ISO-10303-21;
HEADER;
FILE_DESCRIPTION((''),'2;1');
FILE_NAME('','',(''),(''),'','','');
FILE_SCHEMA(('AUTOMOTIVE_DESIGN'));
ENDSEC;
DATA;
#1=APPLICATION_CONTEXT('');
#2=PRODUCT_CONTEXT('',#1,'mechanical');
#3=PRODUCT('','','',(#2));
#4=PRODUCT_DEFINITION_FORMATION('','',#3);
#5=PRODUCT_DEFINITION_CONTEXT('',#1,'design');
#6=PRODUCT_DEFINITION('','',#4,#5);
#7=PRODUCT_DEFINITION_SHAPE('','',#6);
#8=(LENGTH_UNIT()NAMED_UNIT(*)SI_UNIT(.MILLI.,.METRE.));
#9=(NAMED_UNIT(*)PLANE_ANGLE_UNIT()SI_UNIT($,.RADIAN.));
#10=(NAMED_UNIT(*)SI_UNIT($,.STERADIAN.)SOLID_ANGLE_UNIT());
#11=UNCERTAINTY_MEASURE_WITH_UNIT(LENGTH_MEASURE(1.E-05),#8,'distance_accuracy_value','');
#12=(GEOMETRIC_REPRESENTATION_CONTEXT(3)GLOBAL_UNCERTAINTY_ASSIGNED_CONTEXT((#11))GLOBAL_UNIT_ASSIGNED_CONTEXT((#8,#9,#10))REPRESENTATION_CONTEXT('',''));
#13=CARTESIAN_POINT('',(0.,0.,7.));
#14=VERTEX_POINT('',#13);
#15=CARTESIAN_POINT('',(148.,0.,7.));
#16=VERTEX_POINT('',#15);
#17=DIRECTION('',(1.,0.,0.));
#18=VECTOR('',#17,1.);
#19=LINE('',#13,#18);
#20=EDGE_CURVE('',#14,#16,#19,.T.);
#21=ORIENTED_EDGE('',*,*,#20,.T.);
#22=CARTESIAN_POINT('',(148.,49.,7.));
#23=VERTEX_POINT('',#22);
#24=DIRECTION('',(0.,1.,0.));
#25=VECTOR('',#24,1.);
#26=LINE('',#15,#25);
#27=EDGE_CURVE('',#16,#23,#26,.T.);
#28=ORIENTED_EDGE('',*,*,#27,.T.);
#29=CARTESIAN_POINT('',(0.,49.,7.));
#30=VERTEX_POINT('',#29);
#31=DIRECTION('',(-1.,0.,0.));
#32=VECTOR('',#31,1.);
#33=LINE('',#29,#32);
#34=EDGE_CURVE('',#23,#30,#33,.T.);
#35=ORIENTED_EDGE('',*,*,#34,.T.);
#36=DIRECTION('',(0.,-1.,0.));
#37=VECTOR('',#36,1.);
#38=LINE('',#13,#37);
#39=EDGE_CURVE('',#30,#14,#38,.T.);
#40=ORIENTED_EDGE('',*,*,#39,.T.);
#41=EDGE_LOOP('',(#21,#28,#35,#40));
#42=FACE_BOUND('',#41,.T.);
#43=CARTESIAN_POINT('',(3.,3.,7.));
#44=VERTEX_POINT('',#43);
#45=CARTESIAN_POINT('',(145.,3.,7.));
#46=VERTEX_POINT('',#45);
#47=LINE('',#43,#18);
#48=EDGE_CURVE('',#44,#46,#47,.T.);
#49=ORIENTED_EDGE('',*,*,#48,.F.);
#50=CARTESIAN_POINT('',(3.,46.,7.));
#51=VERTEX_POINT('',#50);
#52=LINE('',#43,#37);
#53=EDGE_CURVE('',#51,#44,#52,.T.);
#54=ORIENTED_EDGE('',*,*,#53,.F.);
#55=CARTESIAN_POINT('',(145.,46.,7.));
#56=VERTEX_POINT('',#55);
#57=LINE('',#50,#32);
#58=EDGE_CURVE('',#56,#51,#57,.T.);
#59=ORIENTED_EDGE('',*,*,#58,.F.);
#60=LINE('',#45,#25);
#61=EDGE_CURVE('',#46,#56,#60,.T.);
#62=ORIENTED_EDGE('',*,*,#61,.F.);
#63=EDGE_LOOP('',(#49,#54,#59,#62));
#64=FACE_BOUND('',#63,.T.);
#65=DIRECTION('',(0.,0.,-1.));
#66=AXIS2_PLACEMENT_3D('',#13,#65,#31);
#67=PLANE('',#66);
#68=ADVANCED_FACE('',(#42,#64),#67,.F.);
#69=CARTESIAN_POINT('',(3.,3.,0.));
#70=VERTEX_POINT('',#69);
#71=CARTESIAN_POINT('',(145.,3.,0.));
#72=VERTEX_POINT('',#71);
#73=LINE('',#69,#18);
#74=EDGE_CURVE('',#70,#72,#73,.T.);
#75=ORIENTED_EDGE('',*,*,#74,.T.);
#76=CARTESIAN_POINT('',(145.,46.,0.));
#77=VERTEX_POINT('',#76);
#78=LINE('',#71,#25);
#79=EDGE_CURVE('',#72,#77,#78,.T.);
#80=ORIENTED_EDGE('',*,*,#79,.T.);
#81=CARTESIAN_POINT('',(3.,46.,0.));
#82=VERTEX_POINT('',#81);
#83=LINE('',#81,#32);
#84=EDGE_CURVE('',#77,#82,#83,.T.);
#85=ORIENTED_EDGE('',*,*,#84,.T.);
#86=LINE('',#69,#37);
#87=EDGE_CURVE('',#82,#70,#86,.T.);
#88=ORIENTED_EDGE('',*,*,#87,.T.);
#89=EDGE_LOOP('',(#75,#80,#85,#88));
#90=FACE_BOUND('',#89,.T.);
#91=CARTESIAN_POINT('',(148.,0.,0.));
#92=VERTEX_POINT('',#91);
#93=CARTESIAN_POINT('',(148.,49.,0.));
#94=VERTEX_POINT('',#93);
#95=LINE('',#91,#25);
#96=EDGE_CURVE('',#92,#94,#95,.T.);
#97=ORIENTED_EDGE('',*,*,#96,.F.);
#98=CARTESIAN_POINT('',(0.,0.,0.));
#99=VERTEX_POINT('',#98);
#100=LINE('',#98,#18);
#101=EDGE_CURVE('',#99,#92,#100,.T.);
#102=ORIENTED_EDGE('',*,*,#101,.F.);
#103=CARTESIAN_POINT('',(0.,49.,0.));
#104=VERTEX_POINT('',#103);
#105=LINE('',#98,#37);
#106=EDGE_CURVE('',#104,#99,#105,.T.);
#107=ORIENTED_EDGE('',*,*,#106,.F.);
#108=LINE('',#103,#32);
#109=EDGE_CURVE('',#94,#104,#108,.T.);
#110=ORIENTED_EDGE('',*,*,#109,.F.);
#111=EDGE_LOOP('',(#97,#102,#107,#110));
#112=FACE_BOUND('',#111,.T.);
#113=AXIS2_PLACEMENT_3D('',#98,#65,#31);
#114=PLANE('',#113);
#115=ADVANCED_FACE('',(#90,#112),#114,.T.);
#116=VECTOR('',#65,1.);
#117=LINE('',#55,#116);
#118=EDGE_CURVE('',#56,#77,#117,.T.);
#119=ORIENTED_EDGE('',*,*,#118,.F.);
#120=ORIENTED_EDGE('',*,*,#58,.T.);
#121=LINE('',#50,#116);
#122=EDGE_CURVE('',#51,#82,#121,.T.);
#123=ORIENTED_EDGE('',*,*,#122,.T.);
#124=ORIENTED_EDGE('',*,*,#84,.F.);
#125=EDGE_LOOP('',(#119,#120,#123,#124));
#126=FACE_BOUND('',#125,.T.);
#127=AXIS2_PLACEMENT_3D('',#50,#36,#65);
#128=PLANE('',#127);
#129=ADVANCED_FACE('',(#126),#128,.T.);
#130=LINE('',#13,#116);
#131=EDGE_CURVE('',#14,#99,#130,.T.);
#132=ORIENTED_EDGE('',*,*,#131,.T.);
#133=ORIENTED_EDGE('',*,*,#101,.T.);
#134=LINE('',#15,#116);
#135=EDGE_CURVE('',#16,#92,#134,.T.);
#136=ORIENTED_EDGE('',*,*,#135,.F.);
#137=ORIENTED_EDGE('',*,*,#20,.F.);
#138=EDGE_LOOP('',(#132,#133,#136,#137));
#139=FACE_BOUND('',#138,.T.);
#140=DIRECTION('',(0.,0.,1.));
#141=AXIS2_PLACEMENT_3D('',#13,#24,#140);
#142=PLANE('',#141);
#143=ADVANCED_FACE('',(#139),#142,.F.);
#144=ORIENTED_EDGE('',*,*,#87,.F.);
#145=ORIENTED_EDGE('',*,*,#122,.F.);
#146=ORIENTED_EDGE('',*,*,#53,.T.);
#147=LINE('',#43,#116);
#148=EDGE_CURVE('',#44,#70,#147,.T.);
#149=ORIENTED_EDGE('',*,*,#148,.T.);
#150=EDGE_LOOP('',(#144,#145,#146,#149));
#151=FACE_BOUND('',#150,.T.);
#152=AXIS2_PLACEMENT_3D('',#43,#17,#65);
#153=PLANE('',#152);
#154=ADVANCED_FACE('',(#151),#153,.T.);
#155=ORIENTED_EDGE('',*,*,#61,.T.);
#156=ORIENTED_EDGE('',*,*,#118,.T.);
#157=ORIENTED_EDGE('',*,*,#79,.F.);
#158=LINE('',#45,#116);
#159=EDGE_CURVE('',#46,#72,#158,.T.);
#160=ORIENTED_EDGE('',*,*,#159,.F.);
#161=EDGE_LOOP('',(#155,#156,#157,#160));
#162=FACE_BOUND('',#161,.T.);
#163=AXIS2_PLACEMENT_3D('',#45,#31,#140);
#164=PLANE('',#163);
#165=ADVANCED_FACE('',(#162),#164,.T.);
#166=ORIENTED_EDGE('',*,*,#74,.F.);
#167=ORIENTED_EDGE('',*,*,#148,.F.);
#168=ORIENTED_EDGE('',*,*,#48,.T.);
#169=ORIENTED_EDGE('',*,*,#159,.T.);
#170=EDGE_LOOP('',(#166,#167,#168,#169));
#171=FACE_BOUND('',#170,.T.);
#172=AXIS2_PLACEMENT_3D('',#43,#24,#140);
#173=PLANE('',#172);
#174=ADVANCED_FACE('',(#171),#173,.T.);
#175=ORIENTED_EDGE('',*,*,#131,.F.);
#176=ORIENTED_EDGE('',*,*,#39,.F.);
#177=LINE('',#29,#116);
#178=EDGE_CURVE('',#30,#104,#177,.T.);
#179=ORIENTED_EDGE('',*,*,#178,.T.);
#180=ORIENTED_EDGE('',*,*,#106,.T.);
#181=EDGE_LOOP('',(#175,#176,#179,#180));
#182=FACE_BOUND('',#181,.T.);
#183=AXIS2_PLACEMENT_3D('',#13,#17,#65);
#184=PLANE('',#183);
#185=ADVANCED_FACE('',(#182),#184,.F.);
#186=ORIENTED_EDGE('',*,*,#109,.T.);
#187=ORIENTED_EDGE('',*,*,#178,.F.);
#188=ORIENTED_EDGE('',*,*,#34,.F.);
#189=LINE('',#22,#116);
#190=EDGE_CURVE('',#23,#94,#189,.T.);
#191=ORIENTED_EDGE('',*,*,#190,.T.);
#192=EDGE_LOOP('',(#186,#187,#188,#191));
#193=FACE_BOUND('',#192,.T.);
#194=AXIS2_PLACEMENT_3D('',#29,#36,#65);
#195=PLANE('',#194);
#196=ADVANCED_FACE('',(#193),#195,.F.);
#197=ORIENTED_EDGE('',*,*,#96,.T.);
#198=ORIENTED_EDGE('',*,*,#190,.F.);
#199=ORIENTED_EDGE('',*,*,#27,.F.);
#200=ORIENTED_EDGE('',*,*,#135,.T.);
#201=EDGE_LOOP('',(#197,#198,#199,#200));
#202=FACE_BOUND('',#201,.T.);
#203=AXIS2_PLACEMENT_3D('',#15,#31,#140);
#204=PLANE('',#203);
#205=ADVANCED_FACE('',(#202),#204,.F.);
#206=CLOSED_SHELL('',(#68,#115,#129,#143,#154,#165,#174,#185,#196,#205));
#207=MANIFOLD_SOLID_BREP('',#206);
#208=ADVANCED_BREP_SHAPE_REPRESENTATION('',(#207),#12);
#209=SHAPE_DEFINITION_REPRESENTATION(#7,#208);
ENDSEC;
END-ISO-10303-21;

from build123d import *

# Parameters (mm, degrees)
SKETCH1_W     = 148
SKETCH1_H     = 49
SKETCH1_W_2   = 142
SKETCH1_H_2   = 43
PROFILE_DEPTH = 7


with BuildPart() as part:
    # Sketch1 → Profile (new body)
    with BuildSketch(Plane.XY):
        with Locations((74, 24.5)):
            Rectangle(SKETCH1_W, SKETCH1_H)
        with Locations((74, 24.5)):
            Rectangle(SKETCH1_W_2, SKETCH1_H_2, mode=Mode.SUBTRACT)
    extrude(amount=PROFILE_DEPTH)


solid = part.part
